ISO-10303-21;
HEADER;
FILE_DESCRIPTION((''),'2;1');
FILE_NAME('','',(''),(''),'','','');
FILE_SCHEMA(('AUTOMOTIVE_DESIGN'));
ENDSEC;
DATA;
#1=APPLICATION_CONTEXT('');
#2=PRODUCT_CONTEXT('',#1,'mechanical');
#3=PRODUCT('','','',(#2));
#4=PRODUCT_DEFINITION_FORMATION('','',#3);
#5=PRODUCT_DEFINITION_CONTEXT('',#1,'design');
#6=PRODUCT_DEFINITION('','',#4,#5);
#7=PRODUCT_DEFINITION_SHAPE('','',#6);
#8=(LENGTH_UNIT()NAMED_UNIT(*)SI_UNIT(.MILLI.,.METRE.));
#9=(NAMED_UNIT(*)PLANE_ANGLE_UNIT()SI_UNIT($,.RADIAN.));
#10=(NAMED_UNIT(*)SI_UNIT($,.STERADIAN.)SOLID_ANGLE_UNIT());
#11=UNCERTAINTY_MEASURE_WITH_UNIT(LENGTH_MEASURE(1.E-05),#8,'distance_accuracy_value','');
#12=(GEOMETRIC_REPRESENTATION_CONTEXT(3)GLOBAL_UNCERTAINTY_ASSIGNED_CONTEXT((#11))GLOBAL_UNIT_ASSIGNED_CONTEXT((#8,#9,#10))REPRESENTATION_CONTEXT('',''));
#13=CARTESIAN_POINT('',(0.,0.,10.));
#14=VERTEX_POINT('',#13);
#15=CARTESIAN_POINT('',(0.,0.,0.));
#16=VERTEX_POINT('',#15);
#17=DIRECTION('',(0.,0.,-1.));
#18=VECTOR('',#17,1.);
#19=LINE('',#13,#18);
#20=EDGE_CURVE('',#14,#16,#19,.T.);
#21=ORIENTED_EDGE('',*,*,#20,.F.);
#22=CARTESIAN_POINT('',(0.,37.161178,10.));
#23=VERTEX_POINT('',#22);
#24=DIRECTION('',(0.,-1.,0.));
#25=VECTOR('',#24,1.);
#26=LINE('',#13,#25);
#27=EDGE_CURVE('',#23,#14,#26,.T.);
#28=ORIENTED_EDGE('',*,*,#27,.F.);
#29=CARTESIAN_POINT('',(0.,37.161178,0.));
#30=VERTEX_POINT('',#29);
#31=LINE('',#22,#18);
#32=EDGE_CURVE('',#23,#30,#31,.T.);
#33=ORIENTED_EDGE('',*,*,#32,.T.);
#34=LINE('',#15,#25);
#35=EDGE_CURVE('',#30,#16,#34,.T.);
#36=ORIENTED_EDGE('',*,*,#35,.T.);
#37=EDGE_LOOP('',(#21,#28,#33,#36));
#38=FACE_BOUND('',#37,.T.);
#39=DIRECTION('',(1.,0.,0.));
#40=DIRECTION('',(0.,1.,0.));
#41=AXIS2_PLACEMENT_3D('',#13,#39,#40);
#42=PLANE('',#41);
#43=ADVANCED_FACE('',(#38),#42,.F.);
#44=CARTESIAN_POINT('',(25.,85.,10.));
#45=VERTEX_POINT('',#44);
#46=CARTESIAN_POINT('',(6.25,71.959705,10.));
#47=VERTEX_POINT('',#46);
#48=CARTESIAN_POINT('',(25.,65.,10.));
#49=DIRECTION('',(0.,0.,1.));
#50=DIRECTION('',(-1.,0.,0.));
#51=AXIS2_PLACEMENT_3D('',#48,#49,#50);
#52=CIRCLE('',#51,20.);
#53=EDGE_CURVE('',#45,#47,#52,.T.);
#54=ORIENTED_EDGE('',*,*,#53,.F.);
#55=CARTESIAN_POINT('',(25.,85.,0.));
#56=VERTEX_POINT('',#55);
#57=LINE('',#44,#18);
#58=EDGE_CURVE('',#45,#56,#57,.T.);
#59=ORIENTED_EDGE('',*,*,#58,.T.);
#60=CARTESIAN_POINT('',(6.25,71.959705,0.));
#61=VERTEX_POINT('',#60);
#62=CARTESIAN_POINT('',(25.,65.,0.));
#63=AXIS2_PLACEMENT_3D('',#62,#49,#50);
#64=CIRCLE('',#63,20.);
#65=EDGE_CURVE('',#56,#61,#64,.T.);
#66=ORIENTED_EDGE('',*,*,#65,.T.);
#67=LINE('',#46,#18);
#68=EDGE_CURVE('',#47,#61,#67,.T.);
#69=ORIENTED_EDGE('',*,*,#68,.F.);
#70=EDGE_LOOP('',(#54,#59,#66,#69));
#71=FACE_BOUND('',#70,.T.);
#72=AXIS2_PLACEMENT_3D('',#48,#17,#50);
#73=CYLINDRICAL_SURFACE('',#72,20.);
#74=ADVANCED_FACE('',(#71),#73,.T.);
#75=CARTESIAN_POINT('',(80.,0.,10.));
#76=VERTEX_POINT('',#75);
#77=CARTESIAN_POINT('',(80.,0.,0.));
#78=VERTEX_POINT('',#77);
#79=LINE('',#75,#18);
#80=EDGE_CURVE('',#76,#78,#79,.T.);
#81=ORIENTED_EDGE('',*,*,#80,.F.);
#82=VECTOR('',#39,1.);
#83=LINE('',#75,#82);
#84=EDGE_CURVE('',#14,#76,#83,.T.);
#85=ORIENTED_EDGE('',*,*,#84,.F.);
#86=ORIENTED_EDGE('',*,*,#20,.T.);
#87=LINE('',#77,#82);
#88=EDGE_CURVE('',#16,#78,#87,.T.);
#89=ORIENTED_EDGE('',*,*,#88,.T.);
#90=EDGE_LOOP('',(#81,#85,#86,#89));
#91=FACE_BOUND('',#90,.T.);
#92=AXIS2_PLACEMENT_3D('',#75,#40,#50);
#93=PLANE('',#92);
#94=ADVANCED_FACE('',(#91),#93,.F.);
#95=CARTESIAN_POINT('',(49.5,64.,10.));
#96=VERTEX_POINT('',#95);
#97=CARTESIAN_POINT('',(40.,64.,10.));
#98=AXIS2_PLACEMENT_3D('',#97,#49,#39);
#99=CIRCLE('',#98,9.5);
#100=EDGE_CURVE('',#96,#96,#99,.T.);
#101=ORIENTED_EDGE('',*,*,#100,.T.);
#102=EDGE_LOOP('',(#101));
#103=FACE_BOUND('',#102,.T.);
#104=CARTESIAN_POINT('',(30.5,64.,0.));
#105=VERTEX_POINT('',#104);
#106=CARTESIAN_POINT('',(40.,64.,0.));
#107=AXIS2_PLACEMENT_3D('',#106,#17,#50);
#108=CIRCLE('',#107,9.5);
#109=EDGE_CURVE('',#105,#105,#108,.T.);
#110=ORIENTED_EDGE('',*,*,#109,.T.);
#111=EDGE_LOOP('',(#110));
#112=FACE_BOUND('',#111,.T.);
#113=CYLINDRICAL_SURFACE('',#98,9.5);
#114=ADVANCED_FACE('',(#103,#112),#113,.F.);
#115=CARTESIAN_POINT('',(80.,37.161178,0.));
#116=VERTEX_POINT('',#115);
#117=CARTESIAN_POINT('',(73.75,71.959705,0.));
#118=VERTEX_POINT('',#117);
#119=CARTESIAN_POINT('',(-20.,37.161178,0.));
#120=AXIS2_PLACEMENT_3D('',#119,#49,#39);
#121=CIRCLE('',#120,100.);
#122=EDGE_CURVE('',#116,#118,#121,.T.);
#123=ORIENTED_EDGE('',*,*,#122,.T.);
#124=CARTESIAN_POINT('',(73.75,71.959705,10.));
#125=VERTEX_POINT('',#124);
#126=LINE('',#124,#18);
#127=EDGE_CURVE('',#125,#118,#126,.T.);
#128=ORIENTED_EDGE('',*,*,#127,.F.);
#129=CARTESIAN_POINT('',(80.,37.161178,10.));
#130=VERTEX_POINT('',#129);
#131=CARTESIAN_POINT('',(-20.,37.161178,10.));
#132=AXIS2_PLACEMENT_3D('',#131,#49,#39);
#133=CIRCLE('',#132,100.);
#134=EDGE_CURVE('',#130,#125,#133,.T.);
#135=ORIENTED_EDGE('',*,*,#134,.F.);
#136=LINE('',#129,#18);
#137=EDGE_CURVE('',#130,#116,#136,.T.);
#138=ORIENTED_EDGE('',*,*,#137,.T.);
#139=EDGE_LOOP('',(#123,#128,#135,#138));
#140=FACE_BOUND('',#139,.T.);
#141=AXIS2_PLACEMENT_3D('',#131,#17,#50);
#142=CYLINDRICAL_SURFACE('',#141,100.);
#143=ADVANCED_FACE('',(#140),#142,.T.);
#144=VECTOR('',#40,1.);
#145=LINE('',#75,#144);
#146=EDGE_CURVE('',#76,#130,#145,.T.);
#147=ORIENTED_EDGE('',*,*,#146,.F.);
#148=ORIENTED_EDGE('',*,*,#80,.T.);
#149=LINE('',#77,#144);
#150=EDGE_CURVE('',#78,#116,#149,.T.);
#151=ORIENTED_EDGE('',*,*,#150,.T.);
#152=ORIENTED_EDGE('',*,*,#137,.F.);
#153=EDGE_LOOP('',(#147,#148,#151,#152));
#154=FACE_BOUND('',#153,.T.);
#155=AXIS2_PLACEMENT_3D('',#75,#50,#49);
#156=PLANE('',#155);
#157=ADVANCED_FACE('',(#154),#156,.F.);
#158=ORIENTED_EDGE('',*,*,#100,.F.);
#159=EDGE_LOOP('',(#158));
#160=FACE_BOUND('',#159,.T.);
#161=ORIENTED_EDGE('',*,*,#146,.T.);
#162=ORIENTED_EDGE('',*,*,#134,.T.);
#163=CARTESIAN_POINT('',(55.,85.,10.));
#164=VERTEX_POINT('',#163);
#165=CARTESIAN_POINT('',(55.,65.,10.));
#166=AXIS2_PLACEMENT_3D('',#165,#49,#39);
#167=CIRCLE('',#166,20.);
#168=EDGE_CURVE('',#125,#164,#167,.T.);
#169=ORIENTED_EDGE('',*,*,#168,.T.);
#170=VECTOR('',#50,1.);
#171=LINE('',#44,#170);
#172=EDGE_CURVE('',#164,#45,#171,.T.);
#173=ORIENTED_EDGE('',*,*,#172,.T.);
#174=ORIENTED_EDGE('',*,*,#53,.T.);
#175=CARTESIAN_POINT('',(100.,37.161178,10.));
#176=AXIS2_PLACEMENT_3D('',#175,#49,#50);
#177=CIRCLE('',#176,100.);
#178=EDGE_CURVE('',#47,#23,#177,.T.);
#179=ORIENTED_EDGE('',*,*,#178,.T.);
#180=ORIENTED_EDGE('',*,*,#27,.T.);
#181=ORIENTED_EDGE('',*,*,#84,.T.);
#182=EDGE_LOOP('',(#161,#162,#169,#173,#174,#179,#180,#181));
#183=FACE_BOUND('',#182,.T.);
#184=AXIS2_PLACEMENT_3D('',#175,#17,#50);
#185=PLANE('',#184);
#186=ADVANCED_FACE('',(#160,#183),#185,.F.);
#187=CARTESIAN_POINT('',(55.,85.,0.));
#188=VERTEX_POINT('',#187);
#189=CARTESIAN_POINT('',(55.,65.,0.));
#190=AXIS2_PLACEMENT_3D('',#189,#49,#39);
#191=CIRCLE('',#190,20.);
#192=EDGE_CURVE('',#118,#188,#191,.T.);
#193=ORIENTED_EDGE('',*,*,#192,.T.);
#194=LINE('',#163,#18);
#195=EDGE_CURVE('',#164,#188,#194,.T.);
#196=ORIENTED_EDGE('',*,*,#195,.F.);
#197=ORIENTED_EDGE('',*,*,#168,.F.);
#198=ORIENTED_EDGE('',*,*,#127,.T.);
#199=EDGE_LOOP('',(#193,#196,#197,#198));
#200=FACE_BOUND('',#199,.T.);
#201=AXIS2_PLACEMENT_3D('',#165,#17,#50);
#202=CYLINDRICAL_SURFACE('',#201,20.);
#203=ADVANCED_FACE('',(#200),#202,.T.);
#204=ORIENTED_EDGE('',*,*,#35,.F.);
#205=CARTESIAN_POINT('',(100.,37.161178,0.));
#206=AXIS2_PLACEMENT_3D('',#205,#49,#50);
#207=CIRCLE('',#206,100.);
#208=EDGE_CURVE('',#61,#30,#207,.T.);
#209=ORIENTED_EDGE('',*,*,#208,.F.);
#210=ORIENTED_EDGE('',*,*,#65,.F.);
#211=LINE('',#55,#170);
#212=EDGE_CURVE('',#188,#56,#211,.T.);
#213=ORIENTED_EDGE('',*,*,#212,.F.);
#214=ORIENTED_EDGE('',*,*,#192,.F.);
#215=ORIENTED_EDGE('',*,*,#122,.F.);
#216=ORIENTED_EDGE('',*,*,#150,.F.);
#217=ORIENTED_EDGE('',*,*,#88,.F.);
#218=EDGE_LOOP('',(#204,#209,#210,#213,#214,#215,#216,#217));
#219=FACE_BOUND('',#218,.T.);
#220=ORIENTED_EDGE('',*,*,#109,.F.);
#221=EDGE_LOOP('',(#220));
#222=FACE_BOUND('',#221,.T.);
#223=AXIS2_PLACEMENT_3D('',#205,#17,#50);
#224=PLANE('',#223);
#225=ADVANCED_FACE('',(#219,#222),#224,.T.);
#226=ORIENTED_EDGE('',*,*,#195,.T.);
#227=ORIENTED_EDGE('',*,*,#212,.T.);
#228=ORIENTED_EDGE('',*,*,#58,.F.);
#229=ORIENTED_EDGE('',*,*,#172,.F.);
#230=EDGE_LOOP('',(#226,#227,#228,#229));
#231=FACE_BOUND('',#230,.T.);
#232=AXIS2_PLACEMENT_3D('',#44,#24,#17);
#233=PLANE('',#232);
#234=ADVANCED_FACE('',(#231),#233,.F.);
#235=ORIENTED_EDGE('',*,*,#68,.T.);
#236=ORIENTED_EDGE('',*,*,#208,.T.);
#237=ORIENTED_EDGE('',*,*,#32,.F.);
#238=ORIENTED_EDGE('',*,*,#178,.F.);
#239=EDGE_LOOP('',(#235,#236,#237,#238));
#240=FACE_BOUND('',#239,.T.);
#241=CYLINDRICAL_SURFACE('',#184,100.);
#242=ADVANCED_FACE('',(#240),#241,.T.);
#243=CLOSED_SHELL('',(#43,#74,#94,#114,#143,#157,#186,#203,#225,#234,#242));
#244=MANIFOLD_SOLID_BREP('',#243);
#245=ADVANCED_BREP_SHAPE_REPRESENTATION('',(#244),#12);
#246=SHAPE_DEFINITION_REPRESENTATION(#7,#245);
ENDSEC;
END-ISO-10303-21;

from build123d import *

# Parameters (mm, degrees)
BOSS_EXTRU_1_DEPTH = 10
D_GAGEMENT_M41_D   = 19


with BuildPart() as part:
    # Esquisse1 → Boss.-Extru.1 (new body)
    with BuildSketch(Plane.XY):
        with BuildLine():
            Line((0, 0), (0, 37.161178186))
            ThreePointArc((0, 37.161178186), (1.574901575, 54.838847716), (6.25, 71.959705454))
            ThreePointArc((6.25, 71.959705454), (13.580589093, 81.419410907), (25, 85))
            Line((25, 85), (55, 85))
            ThreePointArc((55, 85), (66.419410907, 81.419410907), (73.75, 71.959705454))
            ThreePointArc((73.75, 71.959705454), (78.425098425, 54.838847716), (80, 37.161178186))
            Line((80, 37.161178186), (80, 0))
            Line((80, 0), (0, 0))
        make_face()
    extrude(amount=BOSS_EXTRU_1_DEPTH)

    # Dégagement M41 (through all)
    with Locations(Plane.XY.offset(10)):
        with Locations((40, 64)):
            Hole(D_GAGEMENT_M41_D / 2)


solid = part.part
